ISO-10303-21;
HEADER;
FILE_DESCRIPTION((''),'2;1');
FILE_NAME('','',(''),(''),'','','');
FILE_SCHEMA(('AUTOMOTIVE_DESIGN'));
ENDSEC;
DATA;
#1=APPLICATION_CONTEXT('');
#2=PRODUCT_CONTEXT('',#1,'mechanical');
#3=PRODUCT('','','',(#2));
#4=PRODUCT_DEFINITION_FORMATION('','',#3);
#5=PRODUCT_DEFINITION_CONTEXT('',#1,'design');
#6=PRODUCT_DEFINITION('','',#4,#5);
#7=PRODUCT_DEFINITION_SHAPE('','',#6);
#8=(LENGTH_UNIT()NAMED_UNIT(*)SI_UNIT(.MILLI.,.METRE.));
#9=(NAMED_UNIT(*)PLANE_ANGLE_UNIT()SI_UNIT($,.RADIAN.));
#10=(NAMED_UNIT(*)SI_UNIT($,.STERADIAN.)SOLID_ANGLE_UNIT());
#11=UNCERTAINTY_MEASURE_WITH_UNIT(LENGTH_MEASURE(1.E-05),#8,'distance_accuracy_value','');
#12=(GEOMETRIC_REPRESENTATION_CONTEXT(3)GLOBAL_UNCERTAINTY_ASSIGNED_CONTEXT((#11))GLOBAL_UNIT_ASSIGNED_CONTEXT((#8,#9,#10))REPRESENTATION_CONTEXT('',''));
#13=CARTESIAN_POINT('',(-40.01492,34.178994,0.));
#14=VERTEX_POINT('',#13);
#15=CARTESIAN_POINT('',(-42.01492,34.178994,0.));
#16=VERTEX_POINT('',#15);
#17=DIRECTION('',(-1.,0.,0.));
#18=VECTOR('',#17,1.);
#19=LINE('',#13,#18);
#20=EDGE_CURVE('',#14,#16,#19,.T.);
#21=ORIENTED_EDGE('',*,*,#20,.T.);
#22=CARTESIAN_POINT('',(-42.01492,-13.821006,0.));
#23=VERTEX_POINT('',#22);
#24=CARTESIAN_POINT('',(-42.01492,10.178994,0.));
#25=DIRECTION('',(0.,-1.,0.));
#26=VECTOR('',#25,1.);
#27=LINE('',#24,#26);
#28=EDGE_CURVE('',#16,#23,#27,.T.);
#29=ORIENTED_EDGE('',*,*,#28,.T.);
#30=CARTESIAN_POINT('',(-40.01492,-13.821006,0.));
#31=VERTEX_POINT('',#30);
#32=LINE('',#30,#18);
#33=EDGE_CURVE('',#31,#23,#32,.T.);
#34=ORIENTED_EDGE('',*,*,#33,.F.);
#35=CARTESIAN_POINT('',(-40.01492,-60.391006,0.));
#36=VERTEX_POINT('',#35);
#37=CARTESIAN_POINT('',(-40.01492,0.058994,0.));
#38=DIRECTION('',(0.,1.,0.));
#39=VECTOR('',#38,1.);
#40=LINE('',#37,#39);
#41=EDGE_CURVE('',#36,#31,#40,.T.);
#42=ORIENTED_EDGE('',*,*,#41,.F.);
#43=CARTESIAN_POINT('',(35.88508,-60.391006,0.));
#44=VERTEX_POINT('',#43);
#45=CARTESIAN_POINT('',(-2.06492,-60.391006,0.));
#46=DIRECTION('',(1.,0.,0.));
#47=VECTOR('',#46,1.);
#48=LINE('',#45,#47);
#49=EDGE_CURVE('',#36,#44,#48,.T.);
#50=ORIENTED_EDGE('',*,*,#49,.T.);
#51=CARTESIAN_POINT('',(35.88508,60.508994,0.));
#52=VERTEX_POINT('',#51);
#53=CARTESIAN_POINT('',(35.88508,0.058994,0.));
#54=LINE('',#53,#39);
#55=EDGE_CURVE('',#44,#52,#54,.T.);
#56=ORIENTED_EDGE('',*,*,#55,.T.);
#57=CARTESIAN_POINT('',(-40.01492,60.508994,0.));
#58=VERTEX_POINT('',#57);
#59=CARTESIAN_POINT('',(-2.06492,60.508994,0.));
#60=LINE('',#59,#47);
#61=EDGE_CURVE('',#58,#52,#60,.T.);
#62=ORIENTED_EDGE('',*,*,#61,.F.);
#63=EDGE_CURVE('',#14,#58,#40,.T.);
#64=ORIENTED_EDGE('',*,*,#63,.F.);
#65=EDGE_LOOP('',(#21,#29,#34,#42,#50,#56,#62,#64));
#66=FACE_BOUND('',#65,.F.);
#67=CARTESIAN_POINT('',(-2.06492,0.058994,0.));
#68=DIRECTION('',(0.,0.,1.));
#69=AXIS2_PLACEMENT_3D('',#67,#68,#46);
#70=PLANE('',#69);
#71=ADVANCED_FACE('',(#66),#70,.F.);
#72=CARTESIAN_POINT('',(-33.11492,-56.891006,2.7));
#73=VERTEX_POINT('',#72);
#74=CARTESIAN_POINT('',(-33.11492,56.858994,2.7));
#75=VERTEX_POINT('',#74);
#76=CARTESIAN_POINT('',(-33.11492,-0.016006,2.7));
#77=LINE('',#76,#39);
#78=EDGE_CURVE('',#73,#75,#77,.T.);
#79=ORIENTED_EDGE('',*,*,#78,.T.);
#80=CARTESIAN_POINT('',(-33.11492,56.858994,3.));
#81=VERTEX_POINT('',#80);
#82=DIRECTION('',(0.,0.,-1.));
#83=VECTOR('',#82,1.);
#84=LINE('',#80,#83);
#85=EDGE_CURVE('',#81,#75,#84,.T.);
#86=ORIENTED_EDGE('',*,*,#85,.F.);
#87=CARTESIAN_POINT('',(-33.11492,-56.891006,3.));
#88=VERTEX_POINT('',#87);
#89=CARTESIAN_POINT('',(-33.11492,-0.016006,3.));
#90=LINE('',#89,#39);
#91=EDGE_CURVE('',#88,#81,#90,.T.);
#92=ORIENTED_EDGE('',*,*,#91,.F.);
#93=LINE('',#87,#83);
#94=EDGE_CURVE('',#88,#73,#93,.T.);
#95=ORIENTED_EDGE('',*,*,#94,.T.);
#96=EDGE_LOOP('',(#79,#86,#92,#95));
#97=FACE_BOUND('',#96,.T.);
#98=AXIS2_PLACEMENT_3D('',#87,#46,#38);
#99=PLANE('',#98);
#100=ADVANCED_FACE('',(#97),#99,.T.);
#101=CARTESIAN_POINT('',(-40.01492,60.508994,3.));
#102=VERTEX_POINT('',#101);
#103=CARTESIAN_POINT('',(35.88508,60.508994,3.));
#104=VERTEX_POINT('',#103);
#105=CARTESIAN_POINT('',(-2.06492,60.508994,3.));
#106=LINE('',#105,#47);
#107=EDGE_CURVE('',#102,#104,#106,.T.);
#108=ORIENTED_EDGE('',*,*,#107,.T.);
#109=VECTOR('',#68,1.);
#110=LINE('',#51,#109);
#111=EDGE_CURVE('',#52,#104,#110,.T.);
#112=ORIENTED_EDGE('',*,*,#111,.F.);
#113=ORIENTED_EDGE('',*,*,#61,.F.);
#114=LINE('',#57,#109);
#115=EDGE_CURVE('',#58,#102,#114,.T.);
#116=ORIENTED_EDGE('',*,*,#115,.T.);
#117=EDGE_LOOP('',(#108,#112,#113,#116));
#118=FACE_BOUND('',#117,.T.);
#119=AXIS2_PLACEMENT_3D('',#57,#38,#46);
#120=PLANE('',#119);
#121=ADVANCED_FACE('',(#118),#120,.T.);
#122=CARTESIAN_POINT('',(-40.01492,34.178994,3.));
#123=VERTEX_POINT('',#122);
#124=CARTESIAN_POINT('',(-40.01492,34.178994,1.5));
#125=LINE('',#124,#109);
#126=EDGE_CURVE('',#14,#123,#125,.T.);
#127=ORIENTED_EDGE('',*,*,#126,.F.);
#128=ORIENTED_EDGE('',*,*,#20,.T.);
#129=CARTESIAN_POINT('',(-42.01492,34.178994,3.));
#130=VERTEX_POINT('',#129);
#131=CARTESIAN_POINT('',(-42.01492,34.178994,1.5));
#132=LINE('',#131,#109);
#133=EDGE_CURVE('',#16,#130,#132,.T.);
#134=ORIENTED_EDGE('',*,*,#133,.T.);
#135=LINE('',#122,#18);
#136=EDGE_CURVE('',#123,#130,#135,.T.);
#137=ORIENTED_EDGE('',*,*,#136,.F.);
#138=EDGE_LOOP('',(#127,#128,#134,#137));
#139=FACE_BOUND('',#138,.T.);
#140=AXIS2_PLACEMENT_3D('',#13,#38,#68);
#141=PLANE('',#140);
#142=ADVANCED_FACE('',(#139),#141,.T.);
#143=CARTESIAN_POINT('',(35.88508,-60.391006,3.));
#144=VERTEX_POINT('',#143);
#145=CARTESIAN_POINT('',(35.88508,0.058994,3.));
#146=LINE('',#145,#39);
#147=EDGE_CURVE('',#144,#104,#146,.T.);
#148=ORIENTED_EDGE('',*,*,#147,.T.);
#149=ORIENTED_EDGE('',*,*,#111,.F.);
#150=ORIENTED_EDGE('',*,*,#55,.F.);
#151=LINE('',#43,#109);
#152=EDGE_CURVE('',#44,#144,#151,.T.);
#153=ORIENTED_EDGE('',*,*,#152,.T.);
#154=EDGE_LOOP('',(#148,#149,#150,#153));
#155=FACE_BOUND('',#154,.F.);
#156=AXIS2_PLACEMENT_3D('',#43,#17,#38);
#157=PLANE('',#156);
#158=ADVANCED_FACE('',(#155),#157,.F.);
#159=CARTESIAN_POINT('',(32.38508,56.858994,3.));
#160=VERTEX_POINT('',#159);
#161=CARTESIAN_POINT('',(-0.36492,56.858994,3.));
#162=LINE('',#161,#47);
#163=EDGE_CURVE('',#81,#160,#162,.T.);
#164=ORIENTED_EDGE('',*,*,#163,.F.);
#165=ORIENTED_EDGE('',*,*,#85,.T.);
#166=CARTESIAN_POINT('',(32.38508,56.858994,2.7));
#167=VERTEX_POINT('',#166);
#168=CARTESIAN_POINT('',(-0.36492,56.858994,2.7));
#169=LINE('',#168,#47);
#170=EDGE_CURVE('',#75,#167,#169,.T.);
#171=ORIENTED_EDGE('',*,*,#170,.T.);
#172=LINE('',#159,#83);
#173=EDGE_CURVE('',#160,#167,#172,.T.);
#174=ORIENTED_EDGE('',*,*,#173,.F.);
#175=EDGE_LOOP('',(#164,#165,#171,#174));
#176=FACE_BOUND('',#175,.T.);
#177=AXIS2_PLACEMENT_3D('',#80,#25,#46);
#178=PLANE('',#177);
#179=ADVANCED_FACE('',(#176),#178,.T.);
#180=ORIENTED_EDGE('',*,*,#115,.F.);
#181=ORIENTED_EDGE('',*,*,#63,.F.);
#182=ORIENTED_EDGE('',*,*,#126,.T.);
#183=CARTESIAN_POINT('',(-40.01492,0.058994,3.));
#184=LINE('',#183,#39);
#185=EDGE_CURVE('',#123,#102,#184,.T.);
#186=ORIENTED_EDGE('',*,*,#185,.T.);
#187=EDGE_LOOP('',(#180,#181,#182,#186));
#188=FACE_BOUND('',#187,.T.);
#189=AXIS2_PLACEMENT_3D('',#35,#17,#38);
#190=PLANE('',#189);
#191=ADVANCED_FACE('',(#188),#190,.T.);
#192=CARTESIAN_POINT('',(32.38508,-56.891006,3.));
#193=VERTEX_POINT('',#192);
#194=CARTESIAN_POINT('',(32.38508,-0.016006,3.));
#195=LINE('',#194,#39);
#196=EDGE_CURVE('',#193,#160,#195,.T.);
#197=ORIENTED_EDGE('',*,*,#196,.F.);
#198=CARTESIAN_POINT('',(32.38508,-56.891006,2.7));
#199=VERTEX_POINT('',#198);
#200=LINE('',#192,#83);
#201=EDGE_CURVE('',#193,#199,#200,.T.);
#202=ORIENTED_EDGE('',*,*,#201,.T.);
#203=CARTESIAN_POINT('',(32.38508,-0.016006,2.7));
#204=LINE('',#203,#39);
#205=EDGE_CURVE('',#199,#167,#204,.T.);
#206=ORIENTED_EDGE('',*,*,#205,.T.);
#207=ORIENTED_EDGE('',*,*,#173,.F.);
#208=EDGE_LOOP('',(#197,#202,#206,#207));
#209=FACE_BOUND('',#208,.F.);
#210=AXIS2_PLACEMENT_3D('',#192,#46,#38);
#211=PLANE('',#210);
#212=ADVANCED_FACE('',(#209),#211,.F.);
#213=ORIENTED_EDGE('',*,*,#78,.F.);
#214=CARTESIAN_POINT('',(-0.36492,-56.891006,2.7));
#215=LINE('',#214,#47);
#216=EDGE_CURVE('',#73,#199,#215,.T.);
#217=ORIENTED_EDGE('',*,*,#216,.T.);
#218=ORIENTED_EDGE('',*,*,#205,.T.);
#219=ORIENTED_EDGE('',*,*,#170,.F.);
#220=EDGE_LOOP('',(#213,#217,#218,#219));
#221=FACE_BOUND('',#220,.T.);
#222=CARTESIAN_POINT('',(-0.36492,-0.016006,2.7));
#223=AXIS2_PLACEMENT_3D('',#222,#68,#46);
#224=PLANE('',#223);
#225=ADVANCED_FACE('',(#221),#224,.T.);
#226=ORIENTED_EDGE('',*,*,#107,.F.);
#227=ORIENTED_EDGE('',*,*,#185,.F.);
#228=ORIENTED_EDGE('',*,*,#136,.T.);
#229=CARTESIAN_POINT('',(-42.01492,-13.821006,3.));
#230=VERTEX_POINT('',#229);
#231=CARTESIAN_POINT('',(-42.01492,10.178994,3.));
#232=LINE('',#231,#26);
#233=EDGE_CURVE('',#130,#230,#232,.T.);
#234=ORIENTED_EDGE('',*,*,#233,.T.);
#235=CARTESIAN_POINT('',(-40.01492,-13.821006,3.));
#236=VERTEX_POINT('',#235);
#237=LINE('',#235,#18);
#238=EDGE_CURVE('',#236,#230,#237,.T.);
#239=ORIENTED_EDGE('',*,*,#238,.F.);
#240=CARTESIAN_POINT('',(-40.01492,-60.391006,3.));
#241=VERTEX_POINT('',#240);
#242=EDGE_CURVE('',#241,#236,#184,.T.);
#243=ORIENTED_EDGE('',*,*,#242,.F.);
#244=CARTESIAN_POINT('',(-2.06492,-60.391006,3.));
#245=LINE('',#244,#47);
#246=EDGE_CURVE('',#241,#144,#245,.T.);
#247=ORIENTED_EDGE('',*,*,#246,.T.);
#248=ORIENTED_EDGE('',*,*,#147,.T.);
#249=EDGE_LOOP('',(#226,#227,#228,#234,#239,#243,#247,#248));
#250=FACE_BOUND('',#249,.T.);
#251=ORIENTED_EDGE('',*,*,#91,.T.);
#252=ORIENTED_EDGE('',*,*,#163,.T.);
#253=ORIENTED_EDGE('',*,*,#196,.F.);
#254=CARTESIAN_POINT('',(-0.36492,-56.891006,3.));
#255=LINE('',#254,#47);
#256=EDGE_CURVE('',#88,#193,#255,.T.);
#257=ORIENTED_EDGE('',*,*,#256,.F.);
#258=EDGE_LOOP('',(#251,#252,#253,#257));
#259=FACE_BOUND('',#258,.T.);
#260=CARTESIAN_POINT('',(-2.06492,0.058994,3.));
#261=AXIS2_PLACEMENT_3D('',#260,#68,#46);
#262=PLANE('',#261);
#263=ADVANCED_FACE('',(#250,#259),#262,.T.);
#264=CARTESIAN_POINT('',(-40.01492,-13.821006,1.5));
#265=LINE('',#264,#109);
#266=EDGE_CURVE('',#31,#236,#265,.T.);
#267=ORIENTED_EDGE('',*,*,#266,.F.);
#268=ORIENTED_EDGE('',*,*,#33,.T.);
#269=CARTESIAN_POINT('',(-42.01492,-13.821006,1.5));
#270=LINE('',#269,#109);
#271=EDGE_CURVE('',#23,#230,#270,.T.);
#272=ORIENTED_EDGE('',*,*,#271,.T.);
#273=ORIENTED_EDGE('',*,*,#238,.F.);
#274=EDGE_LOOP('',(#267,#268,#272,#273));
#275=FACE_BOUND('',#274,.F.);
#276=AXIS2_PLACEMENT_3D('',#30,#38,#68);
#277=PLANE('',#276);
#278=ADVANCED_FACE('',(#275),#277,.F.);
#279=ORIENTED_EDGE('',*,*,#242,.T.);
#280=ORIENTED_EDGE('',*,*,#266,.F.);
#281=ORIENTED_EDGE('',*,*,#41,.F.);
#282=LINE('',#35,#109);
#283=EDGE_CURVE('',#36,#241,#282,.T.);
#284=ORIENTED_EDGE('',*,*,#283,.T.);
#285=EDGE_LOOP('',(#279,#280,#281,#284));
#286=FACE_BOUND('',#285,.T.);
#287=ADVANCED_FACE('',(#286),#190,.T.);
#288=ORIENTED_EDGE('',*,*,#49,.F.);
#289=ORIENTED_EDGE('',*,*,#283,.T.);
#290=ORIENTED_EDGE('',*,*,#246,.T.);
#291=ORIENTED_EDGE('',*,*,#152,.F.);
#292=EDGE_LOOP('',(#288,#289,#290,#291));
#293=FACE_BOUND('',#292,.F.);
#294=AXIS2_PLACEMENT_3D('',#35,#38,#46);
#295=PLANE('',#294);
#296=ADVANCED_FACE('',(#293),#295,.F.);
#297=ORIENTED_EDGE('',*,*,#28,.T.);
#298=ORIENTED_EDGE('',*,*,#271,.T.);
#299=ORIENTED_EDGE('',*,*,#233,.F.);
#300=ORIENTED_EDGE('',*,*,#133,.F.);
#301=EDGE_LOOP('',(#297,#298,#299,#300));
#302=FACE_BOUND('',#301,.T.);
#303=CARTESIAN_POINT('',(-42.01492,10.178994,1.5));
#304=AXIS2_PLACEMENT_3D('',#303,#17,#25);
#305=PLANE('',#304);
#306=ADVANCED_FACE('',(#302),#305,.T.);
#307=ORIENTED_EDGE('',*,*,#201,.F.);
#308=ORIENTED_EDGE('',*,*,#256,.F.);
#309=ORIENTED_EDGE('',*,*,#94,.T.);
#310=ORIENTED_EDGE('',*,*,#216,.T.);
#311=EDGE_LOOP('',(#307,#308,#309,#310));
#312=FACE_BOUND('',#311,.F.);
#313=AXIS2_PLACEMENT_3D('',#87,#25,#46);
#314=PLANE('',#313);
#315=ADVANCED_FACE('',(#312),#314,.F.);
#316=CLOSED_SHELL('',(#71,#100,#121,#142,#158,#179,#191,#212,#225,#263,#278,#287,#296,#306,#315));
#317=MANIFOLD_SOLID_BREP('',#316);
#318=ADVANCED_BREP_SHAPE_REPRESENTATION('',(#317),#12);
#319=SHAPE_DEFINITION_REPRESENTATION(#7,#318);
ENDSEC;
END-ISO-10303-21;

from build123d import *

# Parameters (mm, degrees)
F0_W     = 75.9
F0_H     = 120.9
F1_DEPTH = 3
F2_W     = 65.5
F2_H     = 113.75
F3_DEPTH = 0.3
F4_W     = 48
F4_H     = 3
F5_DEPTH = 2


with BuildPart() as f1:
    # F0 (on Top) → F1 (new body)
    with BuildSketch(Plane.XY):
        with Locations((-2.06492, 0.058994)):
            Rectangle(F0_W, F0_H)
    extrude(amount=F1_DEPTH)

    # F2 (on face) → F3 (cut)
    with BuildSketch(Plane.XY.offset(3)):
        with Locations((-0.36492, -0.016006)):
            Rectangle(F2_W, F2_H)
    extrude(amount=-F3_DEPTH, mode=Mode.SUBTRACT)

    # F4 (on face) → F5 (join)
    with BuildSketch(Plane(origin=(-40.01492, 0, 0), x_dir=(0, -1, 0), z_dir=(-1, 0, 0))):
        with Locations((-10.178994, 1.5)):
            Rectangle(F4_W, F4_H)
    extrude(amount=F5_DEPTH)


solid = f1.part
